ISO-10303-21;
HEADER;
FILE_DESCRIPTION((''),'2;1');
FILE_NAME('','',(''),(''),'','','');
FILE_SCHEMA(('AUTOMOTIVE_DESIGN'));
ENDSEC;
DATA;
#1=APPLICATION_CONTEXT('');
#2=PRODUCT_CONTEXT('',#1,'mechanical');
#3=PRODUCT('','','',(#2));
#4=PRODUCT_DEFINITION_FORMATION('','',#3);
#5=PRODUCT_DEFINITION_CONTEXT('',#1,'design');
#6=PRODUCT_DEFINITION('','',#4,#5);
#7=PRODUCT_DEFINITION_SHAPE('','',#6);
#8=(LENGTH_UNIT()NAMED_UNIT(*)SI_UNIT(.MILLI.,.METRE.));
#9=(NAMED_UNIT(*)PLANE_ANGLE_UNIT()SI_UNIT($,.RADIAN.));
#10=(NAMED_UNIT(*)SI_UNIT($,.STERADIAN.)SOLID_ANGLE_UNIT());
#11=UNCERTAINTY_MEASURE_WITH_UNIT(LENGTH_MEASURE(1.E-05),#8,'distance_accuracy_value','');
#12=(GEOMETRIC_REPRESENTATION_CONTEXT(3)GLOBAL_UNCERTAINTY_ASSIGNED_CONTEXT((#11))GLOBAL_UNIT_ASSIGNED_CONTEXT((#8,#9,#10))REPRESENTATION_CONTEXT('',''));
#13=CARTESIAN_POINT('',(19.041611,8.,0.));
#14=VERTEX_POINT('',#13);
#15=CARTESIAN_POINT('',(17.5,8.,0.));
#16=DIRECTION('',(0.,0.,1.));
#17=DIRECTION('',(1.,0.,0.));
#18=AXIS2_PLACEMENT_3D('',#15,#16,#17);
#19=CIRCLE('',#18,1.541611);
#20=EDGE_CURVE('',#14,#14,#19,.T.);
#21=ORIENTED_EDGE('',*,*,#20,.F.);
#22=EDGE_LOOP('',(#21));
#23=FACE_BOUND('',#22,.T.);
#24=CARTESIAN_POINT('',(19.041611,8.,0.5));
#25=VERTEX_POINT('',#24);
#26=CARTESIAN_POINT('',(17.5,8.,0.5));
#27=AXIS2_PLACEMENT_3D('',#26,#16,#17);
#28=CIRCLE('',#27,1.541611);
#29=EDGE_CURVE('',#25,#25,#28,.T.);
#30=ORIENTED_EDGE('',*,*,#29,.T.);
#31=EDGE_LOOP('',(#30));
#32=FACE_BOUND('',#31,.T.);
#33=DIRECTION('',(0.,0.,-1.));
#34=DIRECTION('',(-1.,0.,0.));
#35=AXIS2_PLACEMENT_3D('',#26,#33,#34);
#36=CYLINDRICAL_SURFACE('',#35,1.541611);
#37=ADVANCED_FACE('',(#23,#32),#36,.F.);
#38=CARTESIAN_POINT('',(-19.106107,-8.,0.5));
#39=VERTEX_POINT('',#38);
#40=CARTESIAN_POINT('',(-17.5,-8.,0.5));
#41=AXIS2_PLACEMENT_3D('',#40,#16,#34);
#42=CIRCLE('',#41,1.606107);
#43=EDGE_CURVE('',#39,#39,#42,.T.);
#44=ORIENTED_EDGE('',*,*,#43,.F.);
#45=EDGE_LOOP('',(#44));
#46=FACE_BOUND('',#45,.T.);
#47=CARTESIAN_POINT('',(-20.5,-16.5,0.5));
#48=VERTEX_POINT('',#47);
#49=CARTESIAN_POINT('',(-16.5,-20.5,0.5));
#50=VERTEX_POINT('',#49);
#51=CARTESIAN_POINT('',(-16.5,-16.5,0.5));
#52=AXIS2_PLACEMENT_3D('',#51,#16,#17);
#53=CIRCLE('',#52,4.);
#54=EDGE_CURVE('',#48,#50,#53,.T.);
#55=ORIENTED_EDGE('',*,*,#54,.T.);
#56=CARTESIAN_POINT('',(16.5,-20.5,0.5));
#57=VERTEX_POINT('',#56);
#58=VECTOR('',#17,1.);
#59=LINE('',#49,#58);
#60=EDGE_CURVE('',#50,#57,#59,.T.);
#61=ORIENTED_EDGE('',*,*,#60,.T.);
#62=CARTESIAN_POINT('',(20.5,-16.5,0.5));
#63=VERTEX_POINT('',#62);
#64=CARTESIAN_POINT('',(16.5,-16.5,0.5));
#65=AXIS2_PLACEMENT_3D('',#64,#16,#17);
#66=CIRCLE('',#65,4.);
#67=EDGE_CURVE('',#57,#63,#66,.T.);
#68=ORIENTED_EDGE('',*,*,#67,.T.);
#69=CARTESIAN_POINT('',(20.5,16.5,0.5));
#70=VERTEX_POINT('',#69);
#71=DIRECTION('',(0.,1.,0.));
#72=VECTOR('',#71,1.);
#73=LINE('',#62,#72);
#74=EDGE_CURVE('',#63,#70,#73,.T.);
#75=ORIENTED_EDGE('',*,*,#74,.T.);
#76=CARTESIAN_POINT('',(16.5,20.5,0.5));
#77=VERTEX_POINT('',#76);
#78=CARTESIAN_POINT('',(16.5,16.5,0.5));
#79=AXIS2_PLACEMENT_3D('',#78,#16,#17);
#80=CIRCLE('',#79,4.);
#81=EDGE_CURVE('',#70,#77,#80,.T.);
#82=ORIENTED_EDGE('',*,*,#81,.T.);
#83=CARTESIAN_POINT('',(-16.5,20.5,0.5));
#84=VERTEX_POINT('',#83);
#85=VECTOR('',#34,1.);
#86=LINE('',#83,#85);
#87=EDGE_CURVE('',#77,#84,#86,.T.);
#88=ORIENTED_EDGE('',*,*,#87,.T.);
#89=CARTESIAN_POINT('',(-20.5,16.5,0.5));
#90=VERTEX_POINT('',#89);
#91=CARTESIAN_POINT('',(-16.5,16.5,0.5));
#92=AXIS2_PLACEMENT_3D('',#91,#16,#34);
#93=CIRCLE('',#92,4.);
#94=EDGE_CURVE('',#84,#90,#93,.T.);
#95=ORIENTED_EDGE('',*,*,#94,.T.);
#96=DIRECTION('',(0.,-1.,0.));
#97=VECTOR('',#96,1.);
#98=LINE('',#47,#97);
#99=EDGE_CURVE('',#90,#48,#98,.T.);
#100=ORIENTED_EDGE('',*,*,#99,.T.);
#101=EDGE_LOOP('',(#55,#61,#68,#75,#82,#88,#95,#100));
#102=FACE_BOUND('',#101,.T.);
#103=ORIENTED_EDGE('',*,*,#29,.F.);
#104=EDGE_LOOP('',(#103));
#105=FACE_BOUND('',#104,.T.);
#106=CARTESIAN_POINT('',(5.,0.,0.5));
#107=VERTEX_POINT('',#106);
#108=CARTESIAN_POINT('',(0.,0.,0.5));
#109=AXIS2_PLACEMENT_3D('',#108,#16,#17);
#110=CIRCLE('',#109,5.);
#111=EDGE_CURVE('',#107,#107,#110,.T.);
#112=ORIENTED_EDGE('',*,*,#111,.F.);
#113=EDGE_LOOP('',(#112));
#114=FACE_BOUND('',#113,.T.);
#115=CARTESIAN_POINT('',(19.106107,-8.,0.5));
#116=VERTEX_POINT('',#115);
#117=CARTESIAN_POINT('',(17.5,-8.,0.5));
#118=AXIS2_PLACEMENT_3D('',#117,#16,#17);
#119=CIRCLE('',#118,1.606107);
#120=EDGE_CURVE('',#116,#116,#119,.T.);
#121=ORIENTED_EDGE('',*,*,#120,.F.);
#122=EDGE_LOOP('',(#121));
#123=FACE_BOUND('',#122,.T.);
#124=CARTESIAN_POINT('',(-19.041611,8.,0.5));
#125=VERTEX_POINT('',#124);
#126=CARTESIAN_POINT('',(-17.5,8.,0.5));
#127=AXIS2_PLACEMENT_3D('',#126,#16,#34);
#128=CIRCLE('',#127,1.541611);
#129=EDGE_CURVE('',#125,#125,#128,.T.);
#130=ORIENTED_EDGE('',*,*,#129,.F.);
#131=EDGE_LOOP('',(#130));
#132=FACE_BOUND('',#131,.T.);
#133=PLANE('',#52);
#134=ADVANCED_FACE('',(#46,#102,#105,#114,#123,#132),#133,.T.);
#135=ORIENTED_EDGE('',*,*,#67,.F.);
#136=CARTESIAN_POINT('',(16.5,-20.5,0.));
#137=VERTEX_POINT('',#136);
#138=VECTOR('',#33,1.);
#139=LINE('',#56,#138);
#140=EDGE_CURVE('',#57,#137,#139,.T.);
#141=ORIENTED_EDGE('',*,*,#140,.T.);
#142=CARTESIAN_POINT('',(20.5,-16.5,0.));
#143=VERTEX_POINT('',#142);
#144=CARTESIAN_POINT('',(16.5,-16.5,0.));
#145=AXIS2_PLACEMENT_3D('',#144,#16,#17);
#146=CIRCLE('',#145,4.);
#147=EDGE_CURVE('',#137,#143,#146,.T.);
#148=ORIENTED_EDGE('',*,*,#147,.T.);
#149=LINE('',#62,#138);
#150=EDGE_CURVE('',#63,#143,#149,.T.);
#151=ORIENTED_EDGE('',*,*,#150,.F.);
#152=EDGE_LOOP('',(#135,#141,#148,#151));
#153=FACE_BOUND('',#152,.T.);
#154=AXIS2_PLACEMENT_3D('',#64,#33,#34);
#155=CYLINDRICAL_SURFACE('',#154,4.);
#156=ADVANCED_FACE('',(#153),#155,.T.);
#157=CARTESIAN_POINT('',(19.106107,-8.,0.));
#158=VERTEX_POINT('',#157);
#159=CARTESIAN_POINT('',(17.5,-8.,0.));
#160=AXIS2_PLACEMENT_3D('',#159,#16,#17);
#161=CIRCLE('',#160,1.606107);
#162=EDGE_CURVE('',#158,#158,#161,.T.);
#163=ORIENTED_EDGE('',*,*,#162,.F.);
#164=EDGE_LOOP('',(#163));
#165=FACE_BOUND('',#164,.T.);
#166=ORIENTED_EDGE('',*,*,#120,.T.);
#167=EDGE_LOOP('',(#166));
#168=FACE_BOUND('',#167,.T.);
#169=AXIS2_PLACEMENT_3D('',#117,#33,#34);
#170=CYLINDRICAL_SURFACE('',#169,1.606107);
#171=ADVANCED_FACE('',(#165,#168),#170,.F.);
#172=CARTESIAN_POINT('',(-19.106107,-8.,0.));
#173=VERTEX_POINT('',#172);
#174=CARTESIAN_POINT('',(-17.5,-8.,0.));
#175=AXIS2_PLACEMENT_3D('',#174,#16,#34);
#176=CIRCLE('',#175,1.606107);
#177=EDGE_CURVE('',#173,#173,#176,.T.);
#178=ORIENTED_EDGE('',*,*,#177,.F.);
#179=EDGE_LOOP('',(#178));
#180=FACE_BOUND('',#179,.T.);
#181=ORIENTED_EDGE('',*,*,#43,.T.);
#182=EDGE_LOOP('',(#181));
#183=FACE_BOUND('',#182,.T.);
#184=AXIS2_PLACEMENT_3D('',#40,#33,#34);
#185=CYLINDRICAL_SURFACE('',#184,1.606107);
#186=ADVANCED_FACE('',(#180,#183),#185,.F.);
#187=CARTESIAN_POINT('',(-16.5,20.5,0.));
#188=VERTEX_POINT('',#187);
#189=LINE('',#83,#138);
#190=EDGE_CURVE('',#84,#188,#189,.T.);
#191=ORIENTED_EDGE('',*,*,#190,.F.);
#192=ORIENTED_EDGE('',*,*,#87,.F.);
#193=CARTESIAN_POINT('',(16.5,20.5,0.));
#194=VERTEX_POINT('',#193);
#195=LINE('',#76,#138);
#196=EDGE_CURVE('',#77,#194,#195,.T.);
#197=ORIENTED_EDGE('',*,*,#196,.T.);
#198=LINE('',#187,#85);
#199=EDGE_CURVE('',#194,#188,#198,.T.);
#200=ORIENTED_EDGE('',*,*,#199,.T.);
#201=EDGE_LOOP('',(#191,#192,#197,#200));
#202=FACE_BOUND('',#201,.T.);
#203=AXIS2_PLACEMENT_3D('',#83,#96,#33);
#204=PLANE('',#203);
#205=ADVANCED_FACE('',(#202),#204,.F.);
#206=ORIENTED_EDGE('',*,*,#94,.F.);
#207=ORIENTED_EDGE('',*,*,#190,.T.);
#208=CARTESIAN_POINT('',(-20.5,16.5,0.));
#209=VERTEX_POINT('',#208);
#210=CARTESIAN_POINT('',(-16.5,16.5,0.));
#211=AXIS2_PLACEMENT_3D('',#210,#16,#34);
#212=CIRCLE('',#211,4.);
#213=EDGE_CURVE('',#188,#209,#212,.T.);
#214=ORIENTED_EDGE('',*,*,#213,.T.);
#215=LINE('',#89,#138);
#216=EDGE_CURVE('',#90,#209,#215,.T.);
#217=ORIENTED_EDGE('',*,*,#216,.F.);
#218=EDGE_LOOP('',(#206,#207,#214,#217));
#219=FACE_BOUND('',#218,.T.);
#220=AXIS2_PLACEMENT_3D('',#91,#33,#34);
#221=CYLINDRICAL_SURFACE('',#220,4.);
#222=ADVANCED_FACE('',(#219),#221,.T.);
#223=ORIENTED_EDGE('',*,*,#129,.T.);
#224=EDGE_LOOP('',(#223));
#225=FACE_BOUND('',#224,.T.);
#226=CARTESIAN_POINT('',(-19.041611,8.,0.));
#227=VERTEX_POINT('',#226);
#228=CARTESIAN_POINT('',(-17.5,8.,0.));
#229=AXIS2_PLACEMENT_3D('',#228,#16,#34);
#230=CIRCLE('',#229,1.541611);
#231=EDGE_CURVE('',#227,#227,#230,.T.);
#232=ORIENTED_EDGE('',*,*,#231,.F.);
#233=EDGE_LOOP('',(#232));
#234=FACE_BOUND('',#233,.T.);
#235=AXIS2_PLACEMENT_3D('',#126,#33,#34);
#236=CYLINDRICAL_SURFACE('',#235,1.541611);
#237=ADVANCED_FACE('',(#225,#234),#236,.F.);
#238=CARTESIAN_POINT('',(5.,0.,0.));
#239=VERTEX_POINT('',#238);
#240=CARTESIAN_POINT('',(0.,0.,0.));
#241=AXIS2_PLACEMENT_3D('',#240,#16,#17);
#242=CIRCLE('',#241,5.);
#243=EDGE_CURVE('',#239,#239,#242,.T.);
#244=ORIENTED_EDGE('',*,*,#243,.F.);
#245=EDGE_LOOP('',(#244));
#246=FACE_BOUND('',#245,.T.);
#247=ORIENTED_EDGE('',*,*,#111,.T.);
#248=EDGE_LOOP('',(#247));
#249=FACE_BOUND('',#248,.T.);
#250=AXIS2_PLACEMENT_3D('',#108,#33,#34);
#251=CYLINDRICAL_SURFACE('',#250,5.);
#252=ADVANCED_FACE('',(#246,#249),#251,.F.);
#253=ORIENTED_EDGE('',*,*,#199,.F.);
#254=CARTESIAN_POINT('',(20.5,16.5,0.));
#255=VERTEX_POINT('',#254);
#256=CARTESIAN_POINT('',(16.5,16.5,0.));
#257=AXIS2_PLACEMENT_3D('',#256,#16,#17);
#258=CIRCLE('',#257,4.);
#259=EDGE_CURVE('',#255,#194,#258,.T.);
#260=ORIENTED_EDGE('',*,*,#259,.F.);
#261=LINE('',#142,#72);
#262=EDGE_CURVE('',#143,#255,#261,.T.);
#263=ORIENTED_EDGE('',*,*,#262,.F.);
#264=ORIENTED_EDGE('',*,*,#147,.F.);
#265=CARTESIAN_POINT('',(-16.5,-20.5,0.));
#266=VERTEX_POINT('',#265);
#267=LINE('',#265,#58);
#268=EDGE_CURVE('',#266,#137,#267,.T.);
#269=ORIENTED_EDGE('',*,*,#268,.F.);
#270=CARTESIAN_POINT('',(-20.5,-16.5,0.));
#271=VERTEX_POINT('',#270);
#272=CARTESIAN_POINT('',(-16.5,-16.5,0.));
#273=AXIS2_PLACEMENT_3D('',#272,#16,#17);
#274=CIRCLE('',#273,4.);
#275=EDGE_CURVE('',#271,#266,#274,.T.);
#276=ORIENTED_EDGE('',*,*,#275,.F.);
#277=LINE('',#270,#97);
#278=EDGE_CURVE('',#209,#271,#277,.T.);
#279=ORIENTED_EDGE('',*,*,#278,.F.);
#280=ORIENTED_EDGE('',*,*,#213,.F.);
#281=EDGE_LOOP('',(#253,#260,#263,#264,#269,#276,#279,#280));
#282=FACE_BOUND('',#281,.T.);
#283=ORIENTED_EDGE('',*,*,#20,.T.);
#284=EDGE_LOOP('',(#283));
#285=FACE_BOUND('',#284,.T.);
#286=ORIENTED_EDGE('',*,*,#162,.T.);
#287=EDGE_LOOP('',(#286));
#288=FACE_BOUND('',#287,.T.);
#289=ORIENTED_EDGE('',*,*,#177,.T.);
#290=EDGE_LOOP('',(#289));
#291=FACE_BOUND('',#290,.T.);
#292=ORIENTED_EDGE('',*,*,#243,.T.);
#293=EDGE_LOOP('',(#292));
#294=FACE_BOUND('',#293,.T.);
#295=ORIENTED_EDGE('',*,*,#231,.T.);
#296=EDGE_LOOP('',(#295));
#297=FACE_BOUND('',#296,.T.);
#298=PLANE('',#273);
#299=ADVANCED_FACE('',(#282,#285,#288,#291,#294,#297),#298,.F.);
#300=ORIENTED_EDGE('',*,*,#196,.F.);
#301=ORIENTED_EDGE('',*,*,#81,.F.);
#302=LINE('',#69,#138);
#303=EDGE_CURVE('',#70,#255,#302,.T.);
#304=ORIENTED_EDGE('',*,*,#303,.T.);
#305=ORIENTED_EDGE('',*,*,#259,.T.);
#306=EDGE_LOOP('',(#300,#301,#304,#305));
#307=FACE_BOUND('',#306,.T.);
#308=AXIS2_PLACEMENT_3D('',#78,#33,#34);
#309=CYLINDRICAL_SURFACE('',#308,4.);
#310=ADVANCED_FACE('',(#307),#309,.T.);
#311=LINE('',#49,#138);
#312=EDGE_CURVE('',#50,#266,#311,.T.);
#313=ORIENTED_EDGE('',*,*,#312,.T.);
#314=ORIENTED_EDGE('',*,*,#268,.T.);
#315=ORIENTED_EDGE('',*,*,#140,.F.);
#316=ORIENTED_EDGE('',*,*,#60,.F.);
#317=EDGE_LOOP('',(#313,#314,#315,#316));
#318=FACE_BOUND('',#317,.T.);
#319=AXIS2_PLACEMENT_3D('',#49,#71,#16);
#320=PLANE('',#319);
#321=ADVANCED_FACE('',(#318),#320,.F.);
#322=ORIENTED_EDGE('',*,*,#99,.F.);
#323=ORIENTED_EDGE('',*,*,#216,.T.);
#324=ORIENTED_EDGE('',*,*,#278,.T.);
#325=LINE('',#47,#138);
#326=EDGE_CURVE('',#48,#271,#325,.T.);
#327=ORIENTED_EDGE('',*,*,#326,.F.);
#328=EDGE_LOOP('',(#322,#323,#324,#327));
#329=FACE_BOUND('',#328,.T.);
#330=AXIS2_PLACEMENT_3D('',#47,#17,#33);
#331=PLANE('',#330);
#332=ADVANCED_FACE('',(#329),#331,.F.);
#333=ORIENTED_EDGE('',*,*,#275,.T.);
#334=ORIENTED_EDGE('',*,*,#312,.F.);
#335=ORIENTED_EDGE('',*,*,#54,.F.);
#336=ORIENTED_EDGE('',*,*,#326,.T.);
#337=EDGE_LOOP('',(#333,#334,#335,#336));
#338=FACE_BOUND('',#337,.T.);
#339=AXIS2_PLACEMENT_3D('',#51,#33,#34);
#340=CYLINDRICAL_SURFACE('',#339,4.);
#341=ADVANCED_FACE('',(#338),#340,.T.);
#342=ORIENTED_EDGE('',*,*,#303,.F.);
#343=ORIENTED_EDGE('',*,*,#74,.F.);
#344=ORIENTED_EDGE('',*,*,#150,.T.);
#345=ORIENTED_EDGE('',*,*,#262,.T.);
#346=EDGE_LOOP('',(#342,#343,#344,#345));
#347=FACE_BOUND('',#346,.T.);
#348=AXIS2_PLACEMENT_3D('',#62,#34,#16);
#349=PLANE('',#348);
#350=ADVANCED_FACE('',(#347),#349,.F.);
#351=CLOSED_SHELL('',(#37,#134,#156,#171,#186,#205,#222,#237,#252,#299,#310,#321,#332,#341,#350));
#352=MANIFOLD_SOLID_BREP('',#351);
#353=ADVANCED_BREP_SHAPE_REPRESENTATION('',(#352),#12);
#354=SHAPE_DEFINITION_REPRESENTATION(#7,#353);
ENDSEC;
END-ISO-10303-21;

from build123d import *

# Parameters (mm, degrees)
ESBO_O1_R                = 5
ESBO_O1_R_2              = 1.606107272
ESBO_O1_R_3              = 1.541611137
RESSALTO_EXTRUS_O1_DEPTH = 0.5


with BuildPart() as part:
    # Esboço1 → Ressalto-extrusão1 (new body)
    with BuildSketch(Plane.XY):
        with BuildLine():
            Line((-16.5, -20.5), (16.5, -20.5))
            ThreePointArc((16.5, -20.5), (19.328427125, -19.328427125), (20.5, -16.5))
            Line((20.5, -16.5), (20.5, 16.5))
            ThreePointArc((20.5, 16.5), (19.328427125, 19.328427125), (16.5, 20.5))
            Line((16.5, 20.5), (-16.5, 20.5))
            ThreePointArc((-16.5, 20.5), (-19.328427125, 19.328427125), (-20.5, 16.5))
            Line((-20.5, 16.5), (-20.5, -16.5))
            ThreePointArc((-20.5, -16.5), (-19.328427125, -19.328427125), (-16.5, -20.5))
        make_face()
        Circle(ESBO_O1_R, mode=Mode.SUBTRACT)
        with Locations((17.5, -8)):
            Circle(ESBO_O1_R_2, mode=Mode.SUBTRACT)
        with Locations((17.5, 8)):
            Circle(ESBO_O1_R_3, mode=Mode.SUBTRACT)
        with Locations((-17.5, 8)):
            Circle(ESBO_O1_R_3, mode=Mode.SUBTRACT)
        with Locations((-17.5, -8)):
            Circle(ESBO_O1_R_2, mode=Mode.SUBTRACT)
    extrude(amount=RESSALTO_EXTRUS_O1_DEPTH)


solid = part.part
